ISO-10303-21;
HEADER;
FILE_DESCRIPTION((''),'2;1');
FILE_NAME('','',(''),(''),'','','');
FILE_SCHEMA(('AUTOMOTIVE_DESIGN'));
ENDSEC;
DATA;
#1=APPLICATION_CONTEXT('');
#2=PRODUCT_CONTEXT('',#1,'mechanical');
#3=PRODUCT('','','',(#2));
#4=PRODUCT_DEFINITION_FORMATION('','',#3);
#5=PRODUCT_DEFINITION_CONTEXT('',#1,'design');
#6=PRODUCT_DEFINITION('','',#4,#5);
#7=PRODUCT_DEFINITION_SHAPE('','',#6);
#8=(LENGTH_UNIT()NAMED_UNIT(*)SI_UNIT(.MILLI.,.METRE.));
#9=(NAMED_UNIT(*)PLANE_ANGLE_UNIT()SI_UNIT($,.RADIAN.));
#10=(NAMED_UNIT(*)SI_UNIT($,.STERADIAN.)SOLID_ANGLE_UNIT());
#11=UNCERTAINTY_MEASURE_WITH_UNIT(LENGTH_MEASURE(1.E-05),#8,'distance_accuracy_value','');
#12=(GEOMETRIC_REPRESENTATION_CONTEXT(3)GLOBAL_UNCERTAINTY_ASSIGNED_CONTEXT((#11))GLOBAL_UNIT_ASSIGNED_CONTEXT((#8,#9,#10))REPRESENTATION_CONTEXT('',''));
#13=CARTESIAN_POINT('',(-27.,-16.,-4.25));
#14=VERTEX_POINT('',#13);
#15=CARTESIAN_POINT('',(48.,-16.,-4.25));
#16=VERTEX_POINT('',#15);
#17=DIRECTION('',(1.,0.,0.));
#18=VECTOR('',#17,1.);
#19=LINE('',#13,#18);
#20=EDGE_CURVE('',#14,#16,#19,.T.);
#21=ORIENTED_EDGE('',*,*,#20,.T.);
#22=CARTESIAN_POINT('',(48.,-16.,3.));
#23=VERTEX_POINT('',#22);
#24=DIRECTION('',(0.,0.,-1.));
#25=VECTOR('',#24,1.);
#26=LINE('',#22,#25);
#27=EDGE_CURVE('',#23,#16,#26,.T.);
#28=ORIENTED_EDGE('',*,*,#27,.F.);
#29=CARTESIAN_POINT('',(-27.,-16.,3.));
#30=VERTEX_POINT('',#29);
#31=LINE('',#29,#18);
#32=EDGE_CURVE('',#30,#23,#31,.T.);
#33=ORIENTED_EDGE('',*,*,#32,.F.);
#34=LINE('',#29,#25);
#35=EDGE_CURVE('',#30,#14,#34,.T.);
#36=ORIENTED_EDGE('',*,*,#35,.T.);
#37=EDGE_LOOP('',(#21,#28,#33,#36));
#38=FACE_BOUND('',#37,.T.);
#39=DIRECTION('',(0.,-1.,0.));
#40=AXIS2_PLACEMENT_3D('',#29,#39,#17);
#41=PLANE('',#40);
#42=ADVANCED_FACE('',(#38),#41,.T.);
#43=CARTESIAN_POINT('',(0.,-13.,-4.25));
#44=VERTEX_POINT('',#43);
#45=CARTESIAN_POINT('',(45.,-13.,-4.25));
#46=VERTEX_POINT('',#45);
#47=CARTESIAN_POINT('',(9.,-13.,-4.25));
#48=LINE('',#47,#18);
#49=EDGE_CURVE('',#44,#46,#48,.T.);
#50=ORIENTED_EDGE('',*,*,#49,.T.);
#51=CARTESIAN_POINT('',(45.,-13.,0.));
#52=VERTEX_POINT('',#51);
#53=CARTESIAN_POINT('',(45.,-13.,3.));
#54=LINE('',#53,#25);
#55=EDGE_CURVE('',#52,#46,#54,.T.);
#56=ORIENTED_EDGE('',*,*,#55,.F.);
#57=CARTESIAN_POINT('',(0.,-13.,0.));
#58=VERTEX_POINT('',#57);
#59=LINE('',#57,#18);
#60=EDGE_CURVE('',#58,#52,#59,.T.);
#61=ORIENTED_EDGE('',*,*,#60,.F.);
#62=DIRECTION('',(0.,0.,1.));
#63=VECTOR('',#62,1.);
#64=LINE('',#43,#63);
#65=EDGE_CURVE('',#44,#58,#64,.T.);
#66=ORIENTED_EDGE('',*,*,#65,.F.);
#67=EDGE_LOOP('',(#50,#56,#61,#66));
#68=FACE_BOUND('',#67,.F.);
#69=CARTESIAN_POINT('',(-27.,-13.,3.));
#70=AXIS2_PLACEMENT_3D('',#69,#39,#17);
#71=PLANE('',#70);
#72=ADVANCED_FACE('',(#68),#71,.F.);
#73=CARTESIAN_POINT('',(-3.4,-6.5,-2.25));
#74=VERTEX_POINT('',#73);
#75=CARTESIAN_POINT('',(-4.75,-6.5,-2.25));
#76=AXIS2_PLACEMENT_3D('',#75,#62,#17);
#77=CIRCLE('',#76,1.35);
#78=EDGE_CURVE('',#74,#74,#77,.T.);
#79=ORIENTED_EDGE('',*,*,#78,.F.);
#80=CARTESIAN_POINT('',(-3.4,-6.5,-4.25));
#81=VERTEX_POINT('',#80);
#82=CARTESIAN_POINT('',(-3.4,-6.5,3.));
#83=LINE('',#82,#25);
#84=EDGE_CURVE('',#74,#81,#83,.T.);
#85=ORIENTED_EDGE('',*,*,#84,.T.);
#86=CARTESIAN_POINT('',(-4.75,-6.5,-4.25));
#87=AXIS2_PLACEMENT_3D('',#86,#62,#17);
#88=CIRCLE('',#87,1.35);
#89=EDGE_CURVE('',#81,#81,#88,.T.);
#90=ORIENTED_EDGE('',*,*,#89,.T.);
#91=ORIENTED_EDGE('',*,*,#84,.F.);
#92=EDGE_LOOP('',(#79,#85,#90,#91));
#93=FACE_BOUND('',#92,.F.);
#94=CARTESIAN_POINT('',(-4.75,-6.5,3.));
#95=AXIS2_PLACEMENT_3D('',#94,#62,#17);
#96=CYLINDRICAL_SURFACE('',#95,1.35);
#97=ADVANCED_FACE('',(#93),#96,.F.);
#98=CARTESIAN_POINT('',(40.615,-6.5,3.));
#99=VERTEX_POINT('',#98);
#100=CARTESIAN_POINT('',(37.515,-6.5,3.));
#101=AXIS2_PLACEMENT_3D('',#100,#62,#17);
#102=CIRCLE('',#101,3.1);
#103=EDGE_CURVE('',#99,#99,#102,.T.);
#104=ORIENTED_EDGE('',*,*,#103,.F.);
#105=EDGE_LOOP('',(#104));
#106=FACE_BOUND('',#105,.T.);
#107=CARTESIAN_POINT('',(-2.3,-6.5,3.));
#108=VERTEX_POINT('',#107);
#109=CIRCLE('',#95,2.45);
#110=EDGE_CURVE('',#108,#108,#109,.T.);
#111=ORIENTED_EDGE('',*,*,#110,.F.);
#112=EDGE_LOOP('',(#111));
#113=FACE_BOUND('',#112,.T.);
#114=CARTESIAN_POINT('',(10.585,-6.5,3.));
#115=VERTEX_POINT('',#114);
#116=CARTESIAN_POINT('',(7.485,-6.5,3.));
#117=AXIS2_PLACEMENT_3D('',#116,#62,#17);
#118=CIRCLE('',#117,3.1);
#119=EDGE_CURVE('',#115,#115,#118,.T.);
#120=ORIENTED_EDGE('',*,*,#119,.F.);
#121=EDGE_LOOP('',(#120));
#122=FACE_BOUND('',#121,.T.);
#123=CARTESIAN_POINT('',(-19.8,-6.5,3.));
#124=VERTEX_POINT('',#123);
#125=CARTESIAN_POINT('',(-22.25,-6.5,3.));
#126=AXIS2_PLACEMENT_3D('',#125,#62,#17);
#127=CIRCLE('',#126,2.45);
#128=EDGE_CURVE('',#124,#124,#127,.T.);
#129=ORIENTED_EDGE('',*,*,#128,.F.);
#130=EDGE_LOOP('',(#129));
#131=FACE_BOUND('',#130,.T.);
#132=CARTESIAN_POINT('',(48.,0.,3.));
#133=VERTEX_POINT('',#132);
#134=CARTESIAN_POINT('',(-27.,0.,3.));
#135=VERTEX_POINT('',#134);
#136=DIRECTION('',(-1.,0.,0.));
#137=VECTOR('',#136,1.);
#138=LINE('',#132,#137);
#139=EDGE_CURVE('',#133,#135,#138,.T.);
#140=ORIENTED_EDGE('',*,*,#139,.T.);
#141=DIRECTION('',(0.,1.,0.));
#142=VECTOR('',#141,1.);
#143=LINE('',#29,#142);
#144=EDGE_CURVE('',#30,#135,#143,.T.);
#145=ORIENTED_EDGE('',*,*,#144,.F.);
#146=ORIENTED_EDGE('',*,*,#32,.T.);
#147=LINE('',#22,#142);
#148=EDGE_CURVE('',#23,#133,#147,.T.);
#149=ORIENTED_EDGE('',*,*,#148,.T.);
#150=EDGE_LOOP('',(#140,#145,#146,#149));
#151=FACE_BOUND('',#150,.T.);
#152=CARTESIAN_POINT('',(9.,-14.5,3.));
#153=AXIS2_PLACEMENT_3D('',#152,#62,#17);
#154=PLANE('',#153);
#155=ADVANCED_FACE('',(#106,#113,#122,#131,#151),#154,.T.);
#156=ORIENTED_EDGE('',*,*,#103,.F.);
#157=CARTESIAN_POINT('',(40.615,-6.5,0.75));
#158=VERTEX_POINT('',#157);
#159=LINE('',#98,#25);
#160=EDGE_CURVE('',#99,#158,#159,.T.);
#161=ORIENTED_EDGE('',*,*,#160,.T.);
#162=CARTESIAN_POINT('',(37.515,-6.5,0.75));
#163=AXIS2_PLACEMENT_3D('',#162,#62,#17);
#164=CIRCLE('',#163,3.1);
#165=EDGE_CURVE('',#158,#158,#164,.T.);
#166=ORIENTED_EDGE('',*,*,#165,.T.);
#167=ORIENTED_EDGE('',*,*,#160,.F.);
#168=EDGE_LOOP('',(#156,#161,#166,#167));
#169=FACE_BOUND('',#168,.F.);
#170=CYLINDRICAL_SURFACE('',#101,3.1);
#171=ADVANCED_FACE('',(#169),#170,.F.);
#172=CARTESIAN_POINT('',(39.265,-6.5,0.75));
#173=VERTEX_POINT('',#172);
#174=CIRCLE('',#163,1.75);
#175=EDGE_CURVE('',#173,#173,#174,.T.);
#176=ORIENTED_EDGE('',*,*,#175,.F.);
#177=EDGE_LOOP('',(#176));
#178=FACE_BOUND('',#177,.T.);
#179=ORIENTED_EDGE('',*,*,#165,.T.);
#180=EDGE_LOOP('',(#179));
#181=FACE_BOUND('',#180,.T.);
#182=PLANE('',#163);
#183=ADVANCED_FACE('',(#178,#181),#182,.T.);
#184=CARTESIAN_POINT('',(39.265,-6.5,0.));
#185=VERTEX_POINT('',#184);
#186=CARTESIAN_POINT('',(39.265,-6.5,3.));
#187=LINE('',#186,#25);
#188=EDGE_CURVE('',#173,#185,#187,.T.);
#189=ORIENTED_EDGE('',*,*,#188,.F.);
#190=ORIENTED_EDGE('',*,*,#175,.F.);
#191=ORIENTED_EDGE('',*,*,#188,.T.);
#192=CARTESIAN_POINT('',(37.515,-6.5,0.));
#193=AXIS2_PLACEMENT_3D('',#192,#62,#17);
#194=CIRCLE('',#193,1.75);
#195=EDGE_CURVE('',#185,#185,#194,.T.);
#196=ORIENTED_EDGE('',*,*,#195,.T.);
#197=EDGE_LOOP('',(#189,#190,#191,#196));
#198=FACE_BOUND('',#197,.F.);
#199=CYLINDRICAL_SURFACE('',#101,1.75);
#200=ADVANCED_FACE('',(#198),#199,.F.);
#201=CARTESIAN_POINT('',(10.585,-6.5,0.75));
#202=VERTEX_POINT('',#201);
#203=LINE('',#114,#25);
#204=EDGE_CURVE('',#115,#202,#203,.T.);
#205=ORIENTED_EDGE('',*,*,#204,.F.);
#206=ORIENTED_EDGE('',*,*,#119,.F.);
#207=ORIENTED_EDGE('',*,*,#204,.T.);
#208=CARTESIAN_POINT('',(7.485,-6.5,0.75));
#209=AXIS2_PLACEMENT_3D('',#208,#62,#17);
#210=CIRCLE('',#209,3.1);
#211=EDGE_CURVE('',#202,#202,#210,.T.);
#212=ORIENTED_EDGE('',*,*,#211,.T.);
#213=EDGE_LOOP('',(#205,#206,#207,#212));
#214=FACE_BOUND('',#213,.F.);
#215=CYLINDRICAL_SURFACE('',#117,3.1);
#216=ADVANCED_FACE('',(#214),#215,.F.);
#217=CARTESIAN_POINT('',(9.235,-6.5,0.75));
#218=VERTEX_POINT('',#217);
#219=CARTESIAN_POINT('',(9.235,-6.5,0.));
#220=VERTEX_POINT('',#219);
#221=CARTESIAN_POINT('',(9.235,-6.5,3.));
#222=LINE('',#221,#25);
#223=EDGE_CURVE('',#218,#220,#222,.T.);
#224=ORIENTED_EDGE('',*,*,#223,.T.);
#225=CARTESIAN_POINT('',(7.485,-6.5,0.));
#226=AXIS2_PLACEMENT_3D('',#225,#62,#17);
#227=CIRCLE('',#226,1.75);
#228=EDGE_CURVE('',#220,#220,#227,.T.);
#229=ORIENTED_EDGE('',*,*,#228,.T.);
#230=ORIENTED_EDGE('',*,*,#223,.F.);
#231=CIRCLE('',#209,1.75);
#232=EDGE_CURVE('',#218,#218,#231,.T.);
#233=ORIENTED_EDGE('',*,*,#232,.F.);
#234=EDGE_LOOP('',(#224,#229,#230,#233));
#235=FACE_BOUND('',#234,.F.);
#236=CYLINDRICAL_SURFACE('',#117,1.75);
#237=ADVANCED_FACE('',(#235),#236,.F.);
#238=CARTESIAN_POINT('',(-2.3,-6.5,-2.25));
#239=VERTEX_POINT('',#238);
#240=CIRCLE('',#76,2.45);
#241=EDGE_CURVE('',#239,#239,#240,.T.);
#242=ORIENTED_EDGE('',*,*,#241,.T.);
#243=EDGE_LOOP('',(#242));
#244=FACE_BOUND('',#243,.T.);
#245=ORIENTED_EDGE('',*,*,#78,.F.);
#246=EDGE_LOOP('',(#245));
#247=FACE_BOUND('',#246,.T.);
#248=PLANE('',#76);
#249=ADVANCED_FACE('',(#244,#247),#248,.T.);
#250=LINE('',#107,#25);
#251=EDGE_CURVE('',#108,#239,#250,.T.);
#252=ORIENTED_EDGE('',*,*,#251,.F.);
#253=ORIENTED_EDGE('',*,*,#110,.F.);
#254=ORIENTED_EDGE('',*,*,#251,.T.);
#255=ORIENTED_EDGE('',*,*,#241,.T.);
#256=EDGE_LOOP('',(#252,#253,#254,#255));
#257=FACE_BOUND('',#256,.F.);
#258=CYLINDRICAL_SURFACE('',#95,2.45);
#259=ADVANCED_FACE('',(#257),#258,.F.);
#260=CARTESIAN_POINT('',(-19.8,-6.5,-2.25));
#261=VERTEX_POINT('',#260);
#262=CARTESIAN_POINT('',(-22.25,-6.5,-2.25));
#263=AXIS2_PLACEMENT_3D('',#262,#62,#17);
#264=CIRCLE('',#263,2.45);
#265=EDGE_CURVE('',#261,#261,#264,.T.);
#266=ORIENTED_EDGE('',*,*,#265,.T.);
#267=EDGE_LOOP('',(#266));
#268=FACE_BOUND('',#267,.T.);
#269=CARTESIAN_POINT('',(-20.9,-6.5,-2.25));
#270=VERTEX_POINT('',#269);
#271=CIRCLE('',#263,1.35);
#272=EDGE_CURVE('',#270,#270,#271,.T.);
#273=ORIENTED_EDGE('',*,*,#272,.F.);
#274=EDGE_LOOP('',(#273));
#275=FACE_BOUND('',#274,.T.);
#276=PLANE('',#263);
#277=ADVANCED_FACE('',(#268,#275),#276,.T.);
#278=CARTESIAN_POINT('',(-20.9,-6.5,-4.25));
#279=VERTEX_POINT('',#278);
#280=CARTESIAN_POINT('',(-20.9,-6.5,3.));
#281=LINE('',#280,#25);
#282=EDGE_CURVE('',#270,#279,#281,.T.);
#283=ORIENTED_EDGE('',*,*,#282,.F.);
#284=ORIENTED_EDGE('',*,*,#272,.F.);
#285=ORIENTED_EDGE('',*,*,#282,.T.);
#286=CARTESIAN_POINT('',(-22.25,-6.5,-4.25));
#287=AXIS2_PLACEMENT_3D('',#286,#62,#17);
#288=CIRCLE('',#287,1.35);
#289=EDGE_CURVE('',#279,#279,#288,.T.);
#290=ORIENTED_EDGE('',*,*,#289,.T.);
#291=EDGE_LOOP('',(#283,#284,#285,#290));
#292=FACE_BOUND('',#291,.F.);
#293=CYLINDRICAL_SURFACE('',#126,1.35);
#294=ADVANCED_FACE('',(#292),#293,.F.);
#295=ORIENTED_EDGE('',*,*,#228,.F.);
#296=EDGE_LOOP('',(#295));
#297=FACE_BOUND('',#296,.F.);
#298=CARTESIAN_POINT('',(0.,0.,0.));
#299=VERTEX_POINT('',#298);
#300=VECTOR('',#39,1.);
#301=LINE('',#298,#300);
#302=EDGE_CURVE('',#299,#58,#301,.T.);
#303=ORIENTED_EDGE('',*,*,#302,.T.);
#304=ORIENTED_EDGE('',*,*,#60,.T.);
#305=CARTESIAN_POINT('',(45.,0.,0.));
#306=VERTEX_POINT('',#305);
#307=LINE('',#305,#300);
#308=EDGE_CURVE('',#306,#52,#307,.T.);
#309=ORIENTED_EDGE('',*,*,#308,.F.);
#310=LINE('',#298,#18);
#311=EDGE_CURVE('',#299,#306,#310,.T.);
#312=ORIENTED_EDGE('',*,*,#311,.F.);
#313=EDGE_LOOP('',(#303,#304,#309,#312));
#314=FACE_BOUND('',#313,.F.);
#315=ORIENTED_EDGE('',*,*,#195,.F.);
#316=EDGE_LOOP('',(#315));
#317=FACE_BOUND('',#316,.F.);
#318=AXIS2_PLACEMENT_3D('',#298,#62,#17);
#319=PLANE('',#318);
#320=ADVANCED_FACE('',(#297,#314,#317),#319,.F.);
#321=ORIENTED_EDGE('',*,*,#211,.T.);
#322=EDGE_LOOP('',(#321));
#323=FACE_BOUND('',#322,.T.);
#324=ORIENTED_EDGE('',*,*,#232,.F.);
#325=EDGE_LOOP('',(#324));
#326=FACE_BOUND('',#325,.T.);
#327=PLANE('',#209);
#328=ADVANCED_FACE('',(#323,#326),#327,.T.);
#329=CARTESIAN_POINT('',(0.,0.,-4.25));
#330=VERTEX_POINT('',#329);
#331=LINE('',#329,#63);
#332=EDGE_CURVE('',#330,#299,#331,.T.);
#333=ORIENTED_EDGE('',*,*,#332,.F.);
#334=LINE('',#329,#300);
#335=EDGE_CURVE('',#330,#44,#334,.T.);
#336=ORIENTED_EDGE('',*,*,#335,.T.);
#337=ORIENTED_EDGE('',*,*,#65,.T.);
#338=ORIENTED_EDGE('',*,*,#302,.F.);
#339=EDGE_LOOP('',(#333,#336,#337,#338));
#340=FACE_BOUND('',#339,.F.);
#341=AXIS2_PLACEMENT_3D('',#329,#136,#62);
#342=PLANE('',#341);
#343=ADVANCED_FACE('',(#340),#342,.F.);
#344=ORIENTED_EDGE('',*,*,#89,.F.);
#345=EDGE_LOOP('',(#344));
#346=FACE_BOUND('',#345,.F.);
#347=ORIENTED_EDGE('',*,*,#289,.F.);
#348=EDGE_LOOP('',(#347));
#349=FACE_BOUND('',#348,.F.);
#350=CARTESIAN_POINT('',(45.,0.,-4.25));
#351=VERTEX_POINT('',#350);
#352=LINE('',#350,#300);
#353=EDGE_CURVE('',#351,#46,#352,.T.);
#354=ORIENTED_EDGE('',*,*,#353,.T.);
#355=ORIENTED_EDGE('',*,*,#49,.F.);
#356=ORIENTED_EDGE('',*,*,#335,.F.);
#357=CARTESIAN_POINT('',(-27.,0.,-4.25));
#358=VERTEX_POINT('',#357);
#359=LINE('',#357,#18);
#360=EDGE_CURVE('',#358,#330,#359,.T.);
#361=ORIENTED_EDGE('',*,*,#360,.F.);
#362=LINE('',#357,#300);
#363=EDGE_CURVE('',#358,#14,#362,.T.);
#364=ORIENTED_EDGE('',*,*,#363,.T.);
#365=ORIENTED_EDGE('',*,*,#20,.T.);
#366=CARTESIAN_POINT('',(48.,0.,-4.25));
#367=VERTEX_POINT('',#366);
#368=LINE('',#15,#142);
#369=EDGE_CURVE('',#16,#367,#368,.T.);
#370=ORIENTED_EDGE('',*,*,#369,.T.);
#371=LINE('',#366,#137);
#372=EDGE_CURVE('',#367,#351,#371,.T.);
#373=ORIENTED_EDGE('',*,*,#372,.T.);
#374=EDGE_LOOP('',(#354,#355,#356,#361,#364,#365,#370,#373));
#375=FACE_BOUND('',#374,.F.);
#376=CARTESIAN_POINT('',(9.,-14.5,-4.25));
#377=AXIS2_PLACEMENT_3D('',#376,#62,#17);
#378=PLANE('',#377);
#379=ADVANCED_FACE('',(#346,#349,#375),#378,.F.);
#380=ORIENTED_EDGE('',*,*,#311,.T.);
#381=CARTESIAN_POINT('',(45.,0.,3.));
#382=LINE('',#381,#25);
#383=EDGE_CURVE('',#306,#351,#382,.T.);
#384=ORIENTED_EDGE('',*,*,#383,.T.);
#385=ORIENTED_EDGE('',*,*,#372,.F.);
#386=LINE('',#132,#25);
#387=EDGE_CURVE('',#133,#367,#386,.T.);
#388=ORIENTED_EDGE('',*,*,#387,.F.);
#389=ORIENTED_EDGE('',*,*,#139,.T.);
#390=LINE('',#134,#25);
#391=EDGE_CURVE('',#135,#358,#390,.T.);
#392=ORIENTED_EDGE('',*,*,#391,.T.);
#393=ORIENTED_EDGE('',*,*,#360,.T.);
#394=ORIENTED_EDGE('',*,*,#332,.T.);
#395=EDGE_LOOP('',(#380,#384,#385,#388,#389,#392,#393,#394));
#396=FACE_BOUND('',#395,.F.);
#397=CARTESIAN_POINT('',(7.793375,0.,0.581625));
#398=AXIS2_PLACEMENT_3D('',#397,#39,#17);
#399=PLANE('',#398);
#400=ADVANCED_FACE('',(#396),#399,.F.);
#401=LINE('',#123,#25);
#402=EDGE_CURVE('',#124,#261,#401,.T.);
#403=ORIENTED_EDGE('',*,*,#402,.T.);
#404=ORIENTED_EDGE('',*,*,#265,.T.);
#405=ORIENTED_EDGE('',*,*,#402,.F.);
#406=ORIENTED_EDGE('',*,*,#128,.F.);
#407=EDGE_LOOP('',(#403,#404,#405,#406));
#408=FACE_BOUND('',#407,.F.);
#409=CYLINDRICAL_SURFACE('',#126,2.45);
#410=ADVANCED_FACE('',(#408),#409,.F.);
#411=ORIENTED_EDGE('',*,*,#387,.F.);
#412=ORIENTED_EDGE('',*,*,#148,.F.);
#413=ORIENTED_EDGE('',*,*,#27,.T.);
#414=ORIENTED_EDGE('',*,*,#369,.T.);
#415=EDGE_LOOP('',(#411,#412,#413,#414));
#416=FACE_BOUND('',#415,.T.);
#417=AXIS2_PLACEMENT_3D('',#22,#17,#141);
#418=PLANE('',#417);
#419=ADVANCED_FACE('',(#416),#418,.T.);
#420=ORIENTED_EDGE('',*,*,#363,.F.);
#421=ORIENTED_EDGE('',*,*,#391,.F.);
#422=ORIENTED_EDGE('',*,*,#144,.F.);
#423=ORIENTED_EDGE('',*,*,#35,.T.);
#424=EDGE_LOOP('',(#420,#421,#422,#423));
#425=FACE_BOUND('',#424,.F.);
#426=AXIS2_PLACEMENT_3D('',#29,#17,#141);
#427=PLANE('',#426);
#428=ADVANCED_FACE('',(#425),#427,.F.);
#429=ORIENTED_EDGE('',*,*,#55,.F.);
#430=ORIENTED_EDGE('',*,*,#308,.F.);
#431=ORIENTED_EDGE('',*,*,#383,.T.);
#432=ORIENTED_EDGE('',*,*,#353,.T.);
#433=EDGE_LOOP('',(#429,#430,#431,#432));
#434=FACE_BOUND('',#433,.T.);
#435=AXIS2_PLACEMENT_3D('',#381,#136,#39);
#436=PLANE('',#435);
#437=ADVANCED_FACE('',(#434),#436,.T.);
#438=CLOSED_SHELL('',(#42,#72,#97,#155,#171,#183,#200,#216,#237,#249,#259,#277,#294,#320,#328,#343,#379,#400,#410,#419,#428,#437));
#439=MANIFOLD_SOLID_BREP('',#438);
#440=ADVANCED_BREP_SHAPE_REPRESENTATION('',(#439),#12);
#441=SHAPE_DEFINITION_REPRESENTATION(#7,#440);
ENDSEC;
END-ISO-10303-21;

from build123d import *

# Parameters (mm, degrees)
F1_DEPTH = 13
F2_R     = 1.35
F2_R_2   = 1.75
F3_DEPTH = 7.25
F2_R_3   = 2.45
F4_DEPTH = 5.25
F2_R_4   = 3.1
F5_DEPTH = 2.25
F6_W     = 72
F6_H     = 3
F7_DEPTH = 7.25


with BuildPart() as f1:
    # F0 (on Front) → F1 (new body)
    with BuildSketch(Plane.XZ):
        Polygon((0, -4.25), (0, 0), (45, 0), (45, 3), (0, 3), (-27, 3), (-27, -4.25), align=None)
    extrude(amount=F1_DEPTH)

    # F2 (on face) → F3 (cut, through all)
    with BuildSketch(Plane.XY.offset(3)):
        with Locations((-4.75, -6.5)):
            Circle(F2_R)
        with Locations((-22.25, -6.5)):
            Circle(F2_R)
        with Locations((7.485, -6.5)):
            Circle(F2_R_2)
        with Locations((37.515, -6.5)):
            Circle(F2_R_2)
    extrude(amount=-F3_DEPTH, mode=Mode.SUBTRACT)

    # F2 (on face) → F4 (cut, through all)
    with BuildSketch(Plane.XY.offset(3)):
        with Locations((-4.75, -6.5)):
            Circle(F2_R_3)
        with Locations((-4.75, -6.5)):
            Circle(F2_R, mode=Mode.SUBTRACT)
        with Locations((-22.25, -6.5)):
            Circle(F2_R_3)
        with Locations((-22.25, -6.5)):
            Circle(F2_R, mode=Mode.SUBTRACT)
    extrude(amount=-F4_DEPTH, mode=Mode.SUBTRACT)

    # F2 (on face) → F5 (cut, through all)
    with BuildSketch(Plane.XY.offset(3)):
        with Locations((7.485, -6.5)):
            Circle(F2_R_4)
        with Locations((7.485, -6.5)):
            Circle(F2_R_2, mode=Mode.SUBTRACT)
        with Locations((37.515, -6.5)):
            Circle(F2_R_4)
        with Locations((37.515, -6.5)):
            Circle(F2_R_2, mode=Mode.SUBTRACT)
    extrude(amount=-F5_DEPTH, mode=Mode.SUBTRACT)

    # F6 (on face) → F7 (join, through all)
    with BuildSketch(Plane.XY.offset(3)):
        with Locations((9, -14.5)):
            Rectangle(F6_W, F6_H)
        Polygon((45, 0), (45, -13), (45, -16), (48, -16), (48, 0), align=None)
    extrude(amount=-F7_DEPTH)


solid = f1.part
